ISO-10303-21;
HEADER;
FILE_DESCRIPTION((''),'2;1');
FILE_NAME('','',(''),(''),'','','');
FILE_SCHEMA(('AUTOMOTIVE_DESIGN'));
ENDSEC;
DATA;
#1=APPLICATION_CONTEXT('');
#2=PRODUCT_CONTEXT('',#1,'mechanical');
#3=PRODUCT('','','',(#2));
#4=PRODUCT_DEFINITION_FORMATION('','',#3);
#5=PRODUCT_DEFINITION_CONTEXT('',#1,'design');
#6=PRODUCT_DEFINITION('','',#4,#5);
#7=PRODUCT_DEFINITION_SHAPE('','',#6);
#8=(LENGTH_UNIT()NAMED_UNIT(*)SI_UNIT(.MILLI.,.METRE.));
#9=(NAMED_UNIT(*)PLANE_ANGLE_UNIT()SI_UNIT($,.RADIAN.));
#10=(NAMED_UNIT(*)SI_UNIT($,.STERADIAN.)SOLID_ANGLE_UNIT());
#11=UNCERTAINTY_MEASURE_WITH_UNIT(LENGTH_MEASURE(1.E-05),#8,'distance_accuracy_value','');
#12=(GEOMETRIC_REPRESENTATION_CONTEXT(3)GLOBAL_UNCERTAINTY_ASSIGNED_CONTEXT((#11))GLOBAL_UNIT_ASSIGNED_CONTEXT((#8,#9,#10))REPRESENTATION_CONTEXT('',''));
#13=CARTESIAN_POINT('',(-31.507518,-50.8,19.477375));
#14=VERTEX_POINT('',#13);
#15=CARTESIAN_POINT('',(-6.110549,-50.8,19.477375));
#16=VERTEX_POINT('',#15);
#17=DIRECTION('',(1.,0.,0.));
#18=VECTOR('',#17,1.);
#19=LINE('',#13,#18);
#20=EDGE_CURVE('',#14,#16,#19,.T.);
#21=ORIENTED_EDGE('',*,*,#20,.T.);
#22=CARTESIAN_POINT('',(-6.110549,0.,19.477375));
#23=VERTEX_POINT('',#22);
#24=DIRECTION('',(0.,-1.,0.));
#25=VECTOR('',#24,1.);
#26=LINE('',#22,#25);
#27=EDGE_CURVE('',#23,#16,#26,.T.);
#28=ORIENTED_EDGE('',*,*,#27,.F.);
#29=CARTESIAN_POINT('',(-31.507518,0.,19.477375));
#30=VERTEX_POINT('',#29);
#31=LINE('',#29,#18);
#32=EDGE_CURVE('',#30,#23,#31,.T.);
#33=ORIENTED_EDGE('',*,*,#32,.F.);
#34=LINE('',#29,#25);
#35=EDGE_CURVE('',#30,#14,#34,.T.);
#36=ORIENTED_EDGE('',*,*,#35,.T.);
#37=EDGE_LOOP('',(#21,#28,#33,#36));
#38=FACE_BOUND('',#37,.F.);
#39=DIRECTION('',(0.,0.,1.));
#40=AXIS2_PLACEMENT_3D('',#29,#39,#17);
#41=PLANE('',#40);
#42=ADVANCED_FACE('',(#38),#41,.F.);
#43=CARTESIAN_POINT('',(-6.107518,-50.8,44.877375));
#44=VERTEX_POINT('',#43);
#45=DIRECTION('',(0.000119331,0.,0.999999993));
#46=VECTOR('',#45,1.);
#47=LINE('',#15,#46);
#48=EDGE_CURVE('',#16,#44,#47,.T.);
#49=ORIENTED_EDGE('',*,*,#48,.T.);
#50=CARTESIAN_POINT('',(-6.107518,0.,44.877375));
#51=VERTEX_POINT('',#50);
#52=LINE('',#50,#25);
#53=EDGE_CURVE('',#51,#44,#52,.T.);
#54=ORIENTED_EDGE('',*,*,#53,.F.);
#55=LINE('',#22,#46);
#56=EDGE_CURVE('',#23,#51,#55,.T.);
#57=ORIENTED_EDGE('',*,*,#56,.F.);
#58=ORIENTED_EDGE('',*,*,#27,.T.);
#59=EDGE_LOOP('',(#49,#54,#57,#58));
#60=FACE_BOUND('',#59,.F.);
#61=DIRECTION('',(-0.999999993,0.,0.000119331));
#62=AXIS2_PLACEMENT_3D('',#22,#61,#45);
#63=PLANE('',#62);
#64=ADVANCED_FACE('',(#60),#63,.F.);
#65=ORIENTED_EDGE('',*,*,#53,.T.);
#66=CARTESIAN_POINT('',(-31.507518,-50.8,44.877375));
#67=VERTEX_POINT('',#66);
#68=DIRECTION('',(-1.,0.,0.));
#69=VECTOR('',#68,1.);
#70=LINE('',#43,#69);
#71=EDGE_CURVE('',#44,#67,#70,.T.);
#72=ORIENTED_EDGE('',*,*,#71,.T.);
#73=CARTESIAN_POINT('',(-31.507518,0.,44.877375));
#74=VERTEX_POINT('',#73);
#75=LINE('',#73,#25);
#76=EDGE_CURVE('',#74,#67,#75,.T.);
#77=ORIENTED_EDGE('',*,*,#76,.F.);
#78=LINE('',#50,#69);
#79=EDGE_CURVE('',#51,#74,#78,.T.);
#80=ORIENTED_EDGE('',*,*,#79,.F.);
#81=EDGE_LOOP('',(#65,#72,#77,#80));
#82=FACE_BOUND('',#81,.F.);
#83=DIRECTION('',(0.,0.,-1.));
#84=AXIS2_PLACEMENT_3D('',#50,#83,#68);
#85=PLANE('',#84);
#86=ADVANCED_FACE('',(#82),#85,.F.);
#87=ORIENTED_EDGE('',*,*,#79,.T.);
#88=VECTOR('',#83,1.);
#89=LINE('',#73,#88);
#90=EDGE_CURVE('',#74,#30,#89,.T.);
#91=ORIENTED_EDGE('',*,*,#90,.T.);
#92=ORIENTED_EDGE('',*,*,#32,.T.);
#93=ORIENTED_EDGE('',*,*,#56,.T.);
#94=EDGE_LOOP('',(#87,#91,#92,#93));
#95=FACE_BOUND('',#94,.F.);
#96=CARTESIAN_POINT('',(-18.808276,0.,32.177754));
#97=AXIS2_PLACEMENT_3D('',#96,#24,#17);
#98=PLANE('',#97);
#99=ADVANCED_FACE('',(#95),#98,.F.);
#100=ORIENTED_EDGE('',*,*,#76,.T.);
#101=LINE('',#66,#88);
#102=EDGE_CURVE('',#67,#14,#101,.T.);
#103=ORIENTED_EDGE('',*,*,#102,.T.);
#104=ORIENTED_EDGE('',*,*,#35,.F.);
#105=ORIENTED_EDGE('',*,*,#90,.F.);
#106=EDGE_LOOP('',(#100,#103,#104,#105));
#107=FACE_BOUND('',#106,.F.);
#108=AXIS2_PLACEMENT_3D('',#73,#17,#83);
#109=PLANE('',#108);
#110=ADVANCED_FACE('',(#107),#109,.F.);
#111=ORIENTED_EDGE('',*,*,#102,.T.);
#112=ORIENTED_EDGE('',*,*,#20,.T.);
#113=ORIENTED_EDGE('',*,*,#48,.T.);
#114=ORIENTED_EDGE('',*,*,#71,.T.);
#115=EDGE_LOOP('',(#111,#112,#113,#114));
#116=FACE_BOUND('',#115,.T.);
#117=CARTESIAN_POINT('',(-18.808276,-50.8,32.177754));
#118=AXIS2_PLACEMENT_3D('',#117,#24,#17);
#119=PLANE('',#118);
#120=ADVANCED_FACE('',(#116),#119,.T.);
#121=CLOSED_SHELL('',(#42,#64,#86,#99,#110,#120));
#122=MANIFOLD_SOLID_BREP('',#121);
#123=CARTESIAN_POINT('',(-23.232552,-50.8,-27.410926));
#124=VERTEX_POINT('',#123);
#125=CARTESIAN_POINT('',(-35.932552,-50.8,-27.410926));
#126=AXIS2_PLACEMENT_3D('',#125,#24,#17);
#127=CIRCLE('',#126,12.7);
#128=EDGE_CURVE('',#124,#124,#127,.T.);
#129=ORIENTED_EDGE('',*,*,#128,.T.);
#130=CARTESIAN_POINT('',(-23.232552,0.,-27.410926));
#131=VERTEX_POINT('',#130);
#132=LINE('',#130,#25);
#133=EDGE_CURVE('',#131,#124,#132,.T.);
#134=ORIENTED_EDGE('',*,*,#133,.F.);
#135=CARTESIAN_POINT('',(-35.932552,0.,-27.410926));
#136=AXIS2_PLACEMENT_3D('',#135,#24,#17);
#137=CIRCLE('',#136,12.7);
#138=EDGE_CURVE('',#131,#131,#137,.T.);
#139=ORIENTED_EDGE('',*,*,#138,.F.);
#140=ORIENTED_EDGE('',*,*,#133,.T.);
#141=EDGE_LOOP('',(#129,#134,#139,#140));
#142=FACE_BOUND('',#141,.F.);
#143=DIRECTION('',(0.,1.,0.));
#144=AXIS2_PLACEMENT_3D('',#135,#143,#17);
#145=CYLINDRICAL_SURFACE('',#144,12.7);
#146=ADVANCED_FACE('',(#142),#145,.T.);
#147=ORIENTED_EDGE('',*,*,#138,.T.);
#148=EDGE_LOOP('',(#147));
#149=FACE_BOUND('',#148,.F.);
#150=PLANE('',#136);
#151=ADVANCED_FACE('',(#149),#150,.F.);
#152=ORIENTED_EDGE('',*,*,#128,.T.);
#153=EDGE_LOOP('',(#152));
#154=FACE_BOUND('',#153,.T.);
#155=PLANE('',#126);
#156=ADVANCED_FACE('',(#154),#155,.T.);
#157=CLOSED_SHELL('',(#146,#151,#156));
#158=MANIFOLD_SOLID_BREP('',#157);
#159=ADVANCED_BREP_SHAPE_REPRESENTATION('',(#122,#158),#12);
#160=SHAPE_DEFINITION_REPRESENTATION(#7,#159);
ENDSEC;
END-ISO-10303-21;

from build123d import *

# Parameters (mm, degrees)
F1_DEPTH = 50.8
F2_R     = 12.7
F3_DEPTH = 50.8


with BuildPart() as f1:
    # F0 (on Front) → F1 (new body)
    with BuildSketch(Plane.XZ):
        Polygon((-6.110549, 19.477375), (-6.107518, 44.877375), (-31.507518, 44.877375), (-31.507518, 19.477375), align=None)
    extrude(amount=F1_DEPTH)


with BuildPart() as f3:
    # F2 (on Front) → F3 (new body)
    with BuildSketch(Plane.XZ):
        with Locations((-35.932552, -27.410926)):
            Circle(F2_R)
    extrude(amount=F3_DEPTH)


solid = Compound([f1.part, f3.part])
